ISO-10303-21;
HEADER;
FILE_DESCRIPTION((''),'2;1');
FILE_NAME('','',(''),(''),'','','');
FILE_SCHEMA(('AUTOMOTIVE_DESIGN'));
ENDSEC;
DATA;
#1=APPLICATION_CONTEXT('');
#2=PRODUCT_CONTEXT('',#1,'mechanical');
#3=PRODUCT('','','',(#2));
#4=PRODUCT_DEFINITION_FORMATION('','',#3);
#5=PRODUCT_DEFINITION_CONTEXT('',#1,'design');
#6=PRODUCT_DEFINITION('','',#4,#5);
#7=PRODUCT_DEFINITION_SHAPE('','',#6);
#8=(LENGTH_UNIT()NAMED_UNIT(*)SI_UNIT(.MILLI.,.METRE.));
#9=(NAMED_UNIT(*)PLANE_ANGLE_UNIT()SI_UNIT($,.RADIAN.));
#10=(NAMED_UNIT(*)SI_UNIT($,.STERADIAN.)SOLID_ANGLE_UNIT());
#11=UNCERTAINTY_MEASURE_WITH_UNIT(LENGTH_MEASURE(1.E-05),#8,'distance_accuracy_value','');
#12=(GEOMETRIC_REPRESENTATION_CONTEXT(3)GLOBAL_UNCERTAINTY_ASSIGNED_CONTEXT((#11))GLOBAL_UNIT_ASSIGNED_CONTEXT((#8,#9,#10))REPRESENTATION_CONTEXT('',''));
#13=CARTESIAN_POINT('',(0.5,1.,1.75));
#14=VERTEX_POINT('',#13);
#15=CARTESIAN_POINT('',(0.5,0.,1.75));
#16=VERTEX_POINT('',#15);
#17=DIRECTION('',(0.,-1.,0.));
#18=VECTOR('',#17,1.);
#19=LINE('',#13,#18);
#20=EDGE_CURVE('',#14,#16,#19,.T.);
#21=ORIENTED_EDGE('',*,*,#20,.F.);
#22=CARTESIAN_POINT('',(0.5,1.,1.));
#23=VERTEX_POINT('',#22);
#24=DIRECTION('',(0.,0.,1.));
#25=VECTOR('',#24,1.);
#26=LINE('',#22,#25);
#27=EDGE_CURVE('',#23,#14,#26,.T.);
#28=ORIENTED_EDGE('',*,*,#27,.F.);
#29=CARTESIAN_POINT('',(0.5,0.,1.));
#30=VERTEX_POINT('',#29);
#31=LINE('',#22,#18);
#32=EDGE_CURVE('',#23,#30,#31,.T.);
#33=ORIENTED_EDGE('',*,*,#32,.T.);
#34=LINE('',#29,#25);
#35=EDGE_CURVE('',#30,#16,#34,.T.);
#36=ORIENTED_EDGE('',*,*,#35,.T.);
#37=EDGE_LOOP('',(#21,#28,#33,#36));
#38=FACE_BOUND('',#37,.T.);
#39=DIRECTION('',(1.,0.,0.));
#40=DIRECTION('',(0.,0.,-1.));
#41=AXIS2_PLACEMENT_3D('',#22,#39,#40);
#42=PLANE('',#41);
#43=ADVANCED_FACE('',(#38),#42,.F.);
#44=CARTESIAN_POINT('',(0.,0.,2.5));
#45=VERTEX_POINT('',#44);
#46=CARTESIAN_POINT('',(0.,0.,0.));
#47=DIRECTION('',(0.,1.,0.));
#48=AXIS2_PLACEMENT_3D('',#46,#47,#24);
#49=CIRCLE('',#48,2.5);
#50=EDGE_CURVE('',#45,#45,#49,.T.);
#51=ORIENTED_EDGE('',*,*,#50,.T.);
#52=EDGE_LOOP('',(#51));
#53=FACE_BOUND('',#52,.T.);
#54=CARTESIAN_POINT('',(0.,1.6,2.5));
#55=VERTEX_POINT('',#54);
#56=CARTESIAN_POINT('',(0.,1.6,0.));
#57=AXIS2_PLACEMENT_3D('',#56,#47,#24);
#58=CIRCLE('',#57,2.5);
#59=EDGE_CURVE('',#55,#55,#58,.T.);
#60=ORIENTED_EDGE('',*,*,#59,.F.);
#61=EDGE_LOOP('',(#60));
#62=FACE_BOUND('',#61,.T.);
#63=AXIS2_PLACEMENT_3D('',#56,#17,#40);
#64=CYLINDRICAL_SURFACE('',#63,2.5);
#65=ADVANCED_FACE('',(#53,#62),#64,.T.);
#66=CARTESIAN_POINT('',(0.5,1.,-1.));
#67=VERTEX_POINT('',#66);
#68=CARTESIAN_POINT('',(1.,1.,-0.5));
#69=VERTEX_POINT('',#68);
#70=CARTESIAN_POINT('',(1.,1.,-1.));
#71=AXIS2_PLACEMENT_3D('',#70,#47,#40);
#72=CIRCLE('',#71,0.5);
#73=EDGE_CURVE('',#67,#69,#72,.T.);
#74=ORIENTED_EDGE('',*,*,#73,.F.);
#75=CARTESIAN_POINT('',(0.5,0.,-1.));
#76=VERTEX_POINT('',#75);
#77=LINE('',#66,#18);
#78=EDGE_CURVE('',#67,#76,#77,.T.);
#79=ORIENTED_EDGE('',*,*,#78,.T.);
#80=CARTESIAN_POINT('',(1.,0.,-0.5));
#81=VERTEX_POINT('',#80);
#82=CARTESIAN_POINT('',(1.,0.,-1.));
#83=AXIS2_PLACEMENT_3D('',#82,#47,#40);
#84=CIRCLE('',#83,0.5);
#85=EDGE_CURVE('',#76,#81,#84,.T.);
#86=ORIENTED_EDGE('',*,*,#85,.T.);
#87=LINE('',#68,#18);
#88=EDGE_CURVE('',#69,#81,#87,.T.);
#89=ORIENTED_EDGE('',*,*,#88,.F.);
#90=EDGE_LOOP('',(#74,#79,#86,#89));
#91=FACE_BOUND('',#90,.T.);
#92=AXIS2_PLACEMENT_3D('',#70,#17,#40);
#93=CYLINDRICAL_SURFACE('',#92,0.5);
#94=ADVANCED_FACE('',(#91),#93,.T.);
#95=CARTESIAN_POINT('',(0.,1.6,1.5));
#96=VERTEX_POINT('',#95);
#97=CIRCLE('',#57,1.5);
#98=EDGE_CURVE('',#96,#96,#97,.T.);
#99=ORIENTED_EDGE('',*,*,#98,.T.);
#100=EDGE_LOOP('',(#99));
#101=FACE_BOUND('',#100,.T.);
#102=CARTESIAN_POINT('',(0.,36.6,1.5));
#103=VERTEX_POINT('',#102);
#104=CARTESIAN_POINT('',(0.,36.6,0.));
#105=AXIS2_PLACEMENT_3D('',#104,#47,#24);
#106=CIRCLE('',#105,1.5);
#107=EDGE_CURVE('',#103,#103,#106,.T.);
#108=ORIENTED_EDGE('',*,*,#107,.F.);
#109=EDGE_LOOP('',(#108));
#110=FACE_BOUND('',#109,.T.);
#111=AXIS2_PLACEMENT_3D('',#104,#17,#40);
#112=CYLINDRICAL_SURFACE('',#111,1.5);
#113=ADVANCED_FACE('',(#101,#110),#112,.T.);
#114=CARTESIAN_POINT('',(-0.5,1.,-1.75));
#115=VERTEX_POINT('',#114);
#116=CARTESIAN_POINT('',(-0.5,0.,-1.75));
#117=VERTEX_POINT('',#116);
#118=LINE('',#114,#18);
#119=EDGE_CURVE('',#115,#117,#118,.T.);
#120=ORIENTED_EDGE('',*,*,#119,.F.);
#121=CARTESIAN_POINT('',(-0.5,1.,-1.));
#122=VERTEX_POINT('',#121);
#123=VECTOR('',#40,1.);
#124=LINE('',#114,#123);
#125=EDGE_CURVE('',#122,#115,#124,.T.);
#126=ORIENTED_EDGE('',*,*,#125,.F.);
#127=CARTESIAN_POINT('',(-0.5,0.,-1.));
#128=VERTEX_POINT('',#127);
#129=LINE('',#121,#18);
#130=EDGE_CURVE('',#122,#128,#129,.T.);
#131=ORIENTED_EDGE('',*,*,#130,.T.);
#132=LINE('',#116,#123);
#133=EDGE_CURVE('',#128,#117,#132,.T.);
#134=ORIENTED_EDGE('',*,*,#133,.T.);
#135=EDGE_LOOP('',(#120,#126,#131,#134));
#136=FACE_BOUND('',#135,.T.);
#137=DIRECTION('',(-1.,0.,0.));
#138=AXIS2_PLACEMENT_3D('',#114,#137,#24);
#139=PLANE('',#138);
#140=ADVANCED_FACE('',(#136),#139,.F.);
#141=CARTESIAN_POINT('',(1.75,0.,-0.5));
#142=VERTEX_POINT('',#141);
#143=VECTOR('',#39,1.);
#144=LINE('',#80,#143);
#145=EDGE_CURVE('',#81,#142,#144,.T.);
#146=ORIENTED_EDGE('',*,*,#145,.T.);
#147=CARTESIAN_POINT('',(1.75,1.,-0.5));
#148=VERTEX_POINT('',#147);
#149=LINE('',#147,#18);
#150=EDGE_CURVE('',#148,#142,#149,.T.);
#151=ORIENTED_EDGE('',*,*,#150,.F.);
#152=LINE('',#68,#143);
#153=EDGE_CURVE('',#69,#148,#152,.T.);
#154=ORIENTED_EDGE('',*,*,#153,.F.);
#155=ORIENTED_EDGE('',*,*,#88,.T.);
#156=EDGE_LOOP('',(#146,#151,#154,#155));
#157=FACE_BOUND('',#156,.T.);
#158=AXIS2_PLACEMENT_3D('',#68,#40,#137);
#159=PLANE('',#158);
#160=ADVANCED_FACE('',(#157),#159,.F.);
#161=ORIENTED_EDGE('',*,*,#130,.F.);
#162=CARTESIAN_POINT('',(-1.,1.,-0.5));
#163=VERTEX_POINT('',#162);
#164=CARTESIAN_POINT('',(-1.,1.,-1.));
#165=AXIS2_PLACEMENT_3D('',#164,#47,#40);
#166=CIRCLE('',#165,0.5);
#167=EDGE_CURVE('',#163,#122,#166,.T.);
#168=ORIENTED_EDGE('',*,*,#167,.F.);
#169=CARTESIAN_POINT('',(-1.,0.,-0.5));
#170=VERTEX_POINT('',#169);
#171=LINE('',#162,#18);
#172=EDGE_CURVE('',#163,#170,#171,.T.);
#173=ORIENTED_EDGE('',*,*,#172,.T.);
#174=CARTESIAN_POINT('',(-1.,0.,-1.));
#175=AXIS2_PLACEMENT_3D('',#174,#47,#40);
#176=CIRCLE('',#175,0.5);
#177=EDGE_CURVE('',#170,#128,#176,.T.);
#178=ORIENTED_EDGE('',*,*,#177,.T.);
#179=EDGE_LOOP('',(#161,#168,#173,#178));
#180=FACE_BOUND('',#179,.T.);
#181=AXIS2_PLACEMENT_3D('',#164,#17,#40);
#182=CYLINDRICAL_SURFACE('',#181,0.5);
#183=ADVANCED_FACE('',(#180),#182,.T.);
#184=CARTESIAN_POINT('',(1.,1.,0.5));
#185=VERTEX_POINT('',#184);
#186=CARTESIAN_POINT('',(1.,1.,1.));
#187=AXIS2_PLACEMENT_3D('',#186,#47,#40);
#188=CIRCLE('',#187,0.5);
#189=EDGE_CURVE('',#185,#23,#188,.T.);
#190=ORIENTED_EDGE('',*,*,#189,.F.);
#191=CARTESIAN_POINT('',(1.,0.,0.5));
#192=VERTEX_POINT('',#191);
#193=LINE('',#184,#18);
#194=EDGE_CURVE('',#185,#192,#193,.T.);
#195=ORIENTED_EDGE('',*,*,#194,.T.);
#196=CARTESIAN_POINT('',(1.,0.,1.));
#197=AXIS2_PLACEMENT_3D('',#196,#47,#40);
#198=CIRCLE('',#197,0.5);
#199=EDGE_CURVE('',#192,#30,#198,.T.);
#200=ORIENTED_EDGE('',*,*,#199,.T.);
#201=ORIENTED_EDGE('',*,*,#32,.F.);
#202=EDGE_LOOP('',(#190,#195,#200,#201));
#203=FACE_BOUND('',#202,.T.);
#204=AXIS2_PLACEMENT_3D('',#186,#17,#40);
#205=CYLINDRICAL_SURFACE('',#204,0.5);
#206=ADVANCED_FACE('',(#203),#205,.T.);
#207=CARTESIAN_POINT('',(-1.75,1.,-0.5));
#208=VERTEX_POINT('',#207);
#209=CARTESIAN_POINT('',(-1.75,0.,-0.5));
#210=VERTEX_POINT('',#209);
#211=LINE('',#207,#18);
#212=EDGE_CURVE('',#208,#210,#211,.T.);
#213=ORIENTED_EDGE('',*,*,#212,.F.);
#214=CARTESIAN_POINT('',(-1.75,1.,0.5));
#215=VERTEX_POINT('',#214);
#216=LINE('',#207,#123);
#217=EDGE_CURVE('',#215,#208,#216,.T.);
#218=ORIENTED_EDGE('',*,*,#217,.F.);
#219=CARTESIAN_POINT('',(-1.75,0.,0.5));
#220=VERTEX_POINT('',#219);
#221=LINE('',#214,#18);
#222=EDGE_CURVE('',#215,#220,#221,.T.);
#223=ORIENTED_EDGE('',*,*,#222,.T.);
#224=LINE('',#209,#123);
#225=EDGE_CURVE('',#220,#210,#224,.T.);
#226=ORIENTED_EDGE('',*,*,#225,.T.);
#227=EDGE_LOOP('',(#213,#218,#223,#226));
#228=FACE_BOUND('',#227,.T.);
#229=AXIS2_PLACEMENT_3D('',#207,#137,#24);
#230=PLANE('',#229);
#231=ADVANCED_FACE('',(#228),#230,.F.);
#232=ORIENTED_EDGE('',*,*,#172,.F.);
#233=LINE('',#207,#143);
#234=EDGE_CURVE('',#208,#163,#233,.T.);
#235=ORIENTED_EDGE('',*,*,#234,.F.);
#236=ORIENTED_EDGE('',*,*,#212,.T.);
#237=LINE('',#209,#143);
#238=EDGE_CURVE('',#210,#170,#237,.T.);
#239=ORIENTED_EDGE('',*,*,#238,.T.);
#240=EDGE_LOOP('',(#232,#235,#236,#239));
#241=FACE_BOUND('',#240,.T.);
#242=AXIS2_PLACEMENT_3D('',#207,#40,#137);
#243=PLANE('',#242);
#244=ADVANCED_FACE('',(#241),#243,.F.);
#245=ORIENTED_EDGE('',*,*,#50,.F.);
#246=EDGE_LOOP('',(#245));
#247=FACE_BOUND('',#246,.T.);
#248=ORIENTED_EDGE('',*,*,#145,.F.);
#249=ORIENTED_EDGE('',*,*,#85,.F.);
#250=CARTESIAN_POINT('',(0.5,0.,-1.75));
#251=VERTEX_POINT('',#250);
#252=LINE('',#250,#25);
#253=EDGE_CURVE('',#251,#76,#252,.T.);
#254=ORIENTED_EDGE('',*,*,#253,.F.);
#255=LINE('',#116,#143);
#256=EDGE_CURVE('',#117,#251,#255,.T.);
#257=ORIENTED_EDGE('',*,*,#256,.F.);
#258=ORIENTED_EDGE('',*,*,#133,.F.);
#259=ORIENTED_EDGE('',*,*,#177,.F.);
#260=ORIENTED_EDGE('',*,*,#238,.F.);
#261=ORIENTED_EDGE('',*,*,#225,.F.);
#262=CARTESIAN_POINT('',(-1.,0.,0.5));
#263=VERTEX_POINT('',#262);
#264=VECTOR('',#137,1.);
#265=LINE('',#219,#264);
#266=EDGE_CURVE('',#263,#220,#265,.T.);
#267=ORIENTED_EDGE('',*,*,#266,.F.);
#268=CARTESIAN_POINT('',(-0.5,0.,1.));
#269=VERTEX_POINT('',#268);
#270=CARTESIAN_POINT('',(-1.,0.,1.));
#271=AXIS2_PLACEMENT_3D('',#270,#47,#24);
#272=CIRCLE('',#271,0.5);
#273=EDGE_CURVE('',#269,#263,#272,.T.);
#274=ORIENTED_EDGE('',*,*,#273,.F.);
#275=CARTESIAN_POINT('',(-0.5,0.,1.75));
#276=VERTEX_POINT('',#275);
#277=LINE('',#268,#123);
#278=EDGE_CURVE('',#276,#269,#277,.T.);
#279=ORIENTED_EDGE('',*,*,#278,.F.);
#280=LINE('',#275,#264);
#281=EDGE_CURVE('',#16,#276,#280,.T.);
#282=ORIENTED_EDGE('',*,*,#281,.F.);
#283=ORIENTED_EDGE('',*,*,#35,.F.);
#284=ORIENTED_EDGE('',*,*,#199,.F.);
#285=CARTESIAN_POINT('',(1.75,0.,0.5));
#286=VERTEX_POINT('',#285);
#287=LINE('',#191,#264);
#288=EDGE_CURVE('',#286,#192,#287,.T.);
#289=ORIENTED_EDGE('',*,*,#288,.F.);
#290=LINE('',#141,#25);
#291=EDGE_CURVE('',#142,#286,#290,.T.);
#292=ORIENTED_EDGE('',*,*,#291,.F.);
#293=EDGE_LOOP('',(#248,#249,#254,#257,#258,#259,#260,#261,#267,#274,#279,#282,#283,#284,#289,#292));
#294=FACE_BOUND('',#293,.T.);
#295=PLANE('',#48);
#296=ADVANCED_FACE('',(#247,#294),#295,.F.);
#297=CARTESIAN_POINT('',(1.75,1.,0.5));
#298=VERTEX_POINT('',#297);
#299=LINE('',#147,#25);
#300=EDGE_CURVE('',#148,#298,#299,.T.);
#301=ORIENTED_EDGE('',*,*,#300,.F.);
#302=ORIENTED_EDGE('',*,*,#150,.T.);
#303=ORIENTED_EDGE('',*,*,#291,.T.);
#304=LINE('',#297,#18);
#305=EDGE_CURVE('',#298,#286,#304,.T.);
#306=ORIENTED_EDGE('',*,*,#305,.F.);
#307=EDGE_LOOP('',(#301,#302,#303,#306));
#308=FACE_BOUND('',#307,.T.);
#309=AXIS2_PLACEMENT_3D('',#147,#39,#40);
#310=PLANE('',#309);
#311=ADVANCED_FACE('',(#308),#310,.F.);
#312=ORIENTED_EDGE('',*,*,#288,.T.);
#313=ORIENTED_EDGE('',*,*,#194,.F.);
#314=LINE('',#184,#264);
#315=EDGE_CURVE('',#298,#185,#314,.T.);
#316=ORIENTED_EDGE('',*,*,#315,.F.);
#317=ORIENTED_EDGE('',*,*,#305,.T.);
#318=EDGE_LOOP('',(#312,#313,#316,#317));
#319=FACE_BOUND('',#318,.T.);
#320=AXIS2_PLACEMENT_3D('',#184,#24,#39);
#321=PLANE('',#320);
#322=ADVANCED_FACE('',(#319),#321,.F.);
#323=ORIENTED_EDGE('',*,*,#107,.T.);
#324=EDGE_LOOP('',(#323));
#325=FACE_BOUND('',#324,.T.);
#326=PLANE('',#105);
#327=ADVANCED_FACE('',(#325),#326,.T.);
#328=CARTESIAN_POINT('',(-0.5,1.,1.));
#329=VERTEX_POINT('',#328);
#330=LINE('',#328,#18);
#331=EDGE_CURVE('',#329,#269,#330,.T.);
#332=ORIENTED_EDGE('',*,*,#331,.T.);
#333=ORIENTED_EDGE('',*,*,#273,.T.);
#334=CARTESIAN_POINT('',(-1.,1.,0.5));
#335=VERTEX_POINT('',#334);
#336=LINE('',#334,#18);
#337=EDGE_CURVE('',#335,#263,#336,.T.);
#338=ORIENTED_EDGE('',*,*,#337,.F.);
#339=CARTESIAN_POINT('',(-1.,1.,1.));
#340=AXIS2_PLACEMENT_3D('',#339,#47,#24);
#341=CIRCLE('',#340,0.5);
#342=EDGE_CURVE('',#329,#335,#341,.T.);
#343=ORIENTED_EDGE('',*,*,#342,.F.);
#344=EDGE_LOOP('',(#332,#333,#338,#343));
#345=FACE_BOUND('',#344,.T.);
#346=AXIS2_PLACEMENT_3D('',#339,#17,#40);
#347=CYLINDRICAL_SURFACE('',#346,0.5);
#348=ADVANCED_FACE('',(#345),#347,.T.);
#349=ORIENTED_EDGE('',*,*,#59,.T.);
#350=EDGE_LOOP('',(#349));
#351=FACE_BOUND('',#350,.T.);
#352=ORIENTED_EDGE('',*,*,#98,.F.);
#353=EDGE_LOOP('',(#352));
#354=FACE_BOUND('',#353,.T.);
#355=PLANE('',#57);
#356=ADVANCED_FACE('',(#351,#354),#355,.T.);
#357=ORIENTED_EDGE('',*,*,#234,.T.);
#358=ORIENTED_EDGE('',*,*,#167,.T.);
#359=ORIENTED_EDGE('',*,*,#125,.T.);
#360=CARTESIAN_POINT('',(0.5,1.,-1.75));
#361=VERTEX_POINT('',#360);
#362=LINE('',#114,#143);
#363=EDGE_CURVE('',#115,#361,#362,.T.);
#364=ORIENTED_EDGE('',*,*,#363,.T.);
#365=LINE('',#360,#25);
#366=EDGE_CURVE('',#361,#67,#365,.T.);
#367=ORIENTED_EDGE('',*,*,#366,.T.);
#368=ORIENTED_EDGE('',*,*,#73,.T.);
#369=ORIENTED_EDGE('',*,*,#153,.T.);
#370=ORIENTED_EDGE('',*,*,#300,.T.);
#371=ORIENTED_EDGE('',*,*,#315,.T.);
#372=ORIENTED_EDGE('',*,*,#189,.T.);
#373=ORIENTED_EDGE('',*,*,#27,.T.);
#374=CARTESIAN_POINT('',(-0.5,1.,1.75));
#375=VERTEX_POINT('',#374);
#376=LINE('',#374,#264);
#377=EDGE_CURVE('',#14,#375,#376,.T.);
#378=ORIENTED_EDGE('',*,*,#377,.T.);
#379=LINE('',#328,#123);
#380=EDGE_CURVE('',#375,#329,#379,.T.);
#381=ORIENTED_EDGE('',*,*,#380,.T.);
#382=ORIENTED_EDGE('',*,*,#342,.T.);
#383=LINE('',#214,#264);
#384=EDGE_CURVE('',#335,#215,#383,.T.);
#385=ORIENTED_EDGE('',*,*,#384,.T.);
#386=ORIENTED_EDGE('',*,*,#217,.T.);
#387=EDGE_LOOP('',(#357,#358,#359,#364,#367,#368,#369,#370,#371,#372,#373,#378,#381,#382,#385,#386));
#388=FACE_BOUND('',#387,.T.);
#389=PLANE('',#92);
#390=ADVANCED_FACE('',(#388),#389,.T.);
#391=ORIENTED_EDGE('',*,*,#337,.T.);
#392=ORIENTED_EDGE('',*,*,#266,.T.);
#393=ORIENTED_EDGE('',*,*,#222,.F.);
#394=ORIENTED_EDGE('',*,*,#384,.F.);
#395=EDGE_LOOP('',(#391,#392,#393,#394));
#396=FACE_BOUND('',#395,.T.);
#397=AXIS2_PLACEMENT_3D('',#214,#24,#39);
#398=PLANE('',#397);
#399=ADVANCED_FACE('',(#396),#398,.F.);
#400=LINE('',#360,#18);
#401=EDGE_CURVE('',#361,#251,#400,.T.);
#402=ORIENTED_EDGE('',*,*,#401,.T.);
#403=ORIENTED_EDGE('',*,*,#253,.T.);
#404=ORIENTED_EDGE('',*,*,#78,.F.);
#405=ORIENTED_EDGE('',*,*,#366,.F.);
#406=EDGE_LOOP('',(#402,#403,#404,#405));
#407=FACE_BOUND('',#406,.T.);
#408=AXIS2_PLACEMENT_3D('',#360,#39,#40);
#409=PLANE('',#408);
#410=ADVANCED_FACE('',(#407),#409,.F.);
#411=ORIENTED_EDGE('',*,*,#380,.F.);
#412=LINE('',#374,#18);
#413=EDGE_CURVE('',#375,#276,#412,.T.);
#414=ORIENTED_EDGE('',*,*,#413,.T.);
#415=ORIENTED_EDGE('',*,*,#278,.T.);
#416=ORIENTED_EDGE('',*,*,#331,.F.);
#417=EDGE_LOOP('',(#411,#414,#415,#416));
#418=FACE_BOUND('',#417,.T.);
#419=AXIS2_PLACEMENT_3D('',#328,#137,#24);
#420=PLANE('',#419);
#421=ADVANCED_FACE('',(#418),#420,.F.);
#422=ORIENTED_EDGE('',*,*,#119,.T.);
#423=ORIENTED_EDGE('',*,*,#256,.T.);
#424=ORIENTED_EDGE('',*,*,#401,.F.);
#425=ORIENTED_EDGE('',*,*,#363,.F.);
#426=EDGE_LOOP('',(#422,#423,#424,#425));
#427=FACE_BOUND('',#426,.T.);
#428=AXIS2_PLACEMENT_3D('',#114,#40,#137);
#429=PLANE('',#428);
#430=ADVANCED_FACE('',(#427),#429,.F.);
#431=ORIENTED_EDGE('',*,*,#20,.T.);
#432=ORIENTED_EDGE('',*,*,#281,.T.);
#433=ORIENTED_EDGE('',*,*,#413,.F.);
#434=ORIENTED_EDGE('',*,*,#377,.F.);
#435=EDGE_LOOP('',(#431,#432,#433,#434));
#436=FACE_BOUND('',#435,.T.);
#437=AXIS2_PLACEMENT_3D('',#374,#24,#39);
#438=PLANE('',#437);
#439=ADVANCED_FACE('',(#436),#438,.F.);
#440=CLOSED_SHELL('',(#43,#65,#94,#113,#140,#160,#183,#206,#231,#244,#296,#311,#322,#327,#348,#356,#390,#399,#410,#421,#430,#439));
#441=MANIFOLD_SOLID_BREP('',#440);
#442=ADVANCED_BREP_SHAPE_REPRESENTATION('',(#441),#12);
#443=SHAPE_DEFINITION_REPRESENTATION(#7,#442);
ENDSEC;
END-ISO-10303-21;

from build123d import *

# Parameters (mm, degrees)
SKETCH_1_R          = 2.5
EXTRUDE_1_DEPTH     = 1.6
SKETCH_2_R          = 1.5
EXTRUDE_2_DEPTH     = 35
CUT_EXTRUDE_1_DEPTH = 1


with BuildPart() as part:
    # 草图1 → 凸台-拉伸1 (new body)
    with BuildSketch(Plane(origin=(0, 0, 0), x_dir=(1, 0, 0), z_dir=(0, 1, 0))):
        Circle(SKETCH_1_R)
    extrude(amount=EXTRUDE_1_DEPTH)

    # 草图2 → 凸台-拉伸2 (add)
    with BuildSketch(Plane(origin=(0, 1.6, 0), x_dir=(1, 0, 0), z_dir=(0, 1, 0))):
        Circle(SKETCH_2_R)
    extrude(amount=EXTRUDE_2_DEPTH)

    # 草图3 → 切除-拉伸1 (cut)
    with BuildSketch(Plane.XZ):
        with BuildLine():
            Line((-0.5, 1), (-0.5, 1.75))
            Line((-0.5, 1.75), (0.5, 1.75))
            Line((0.5, 1.75), (0.5, 1))
            ThreePointArc((0.5, 1), (0.646446609, 0.646446609), (1, 0.5))
            Line((1, 0.5), (1.75, 0.5))
            Line((1.75, 0.5), (1.75, -0.5))
            Line((1.75, -0.5), (1, -0.5))
            ThreePointArc((1, -0.5), (0.646446609, -0.646446609), (0.5, -1))
            Line((0.5, -1), (0.5, -1.75))
            Line((0.5, -1.75), (-0.5, -1.75))
            Line((-0.5, -1.75), (-0.5, -1))
            ThreePointArc((-0.5, -1), (-0.646446609, -0.646446609), (-1, -0.5))
            Line((-1, -0.5), (-1.75, -0.5))
            Line((-1.75, -0.5), (-1.75, 0.5))
            Line((-1.75, 0.5), (-1, 0.5))
            ThreePointArc((-1, 0.5), (-0.646446609, 0.646446609), (-0.5, 1))
        make_face()
    extrude(amount=-CUT_EXTRUDE_1_DEPTH, mode=Mode.SUBTRACT)


solid = part.part
